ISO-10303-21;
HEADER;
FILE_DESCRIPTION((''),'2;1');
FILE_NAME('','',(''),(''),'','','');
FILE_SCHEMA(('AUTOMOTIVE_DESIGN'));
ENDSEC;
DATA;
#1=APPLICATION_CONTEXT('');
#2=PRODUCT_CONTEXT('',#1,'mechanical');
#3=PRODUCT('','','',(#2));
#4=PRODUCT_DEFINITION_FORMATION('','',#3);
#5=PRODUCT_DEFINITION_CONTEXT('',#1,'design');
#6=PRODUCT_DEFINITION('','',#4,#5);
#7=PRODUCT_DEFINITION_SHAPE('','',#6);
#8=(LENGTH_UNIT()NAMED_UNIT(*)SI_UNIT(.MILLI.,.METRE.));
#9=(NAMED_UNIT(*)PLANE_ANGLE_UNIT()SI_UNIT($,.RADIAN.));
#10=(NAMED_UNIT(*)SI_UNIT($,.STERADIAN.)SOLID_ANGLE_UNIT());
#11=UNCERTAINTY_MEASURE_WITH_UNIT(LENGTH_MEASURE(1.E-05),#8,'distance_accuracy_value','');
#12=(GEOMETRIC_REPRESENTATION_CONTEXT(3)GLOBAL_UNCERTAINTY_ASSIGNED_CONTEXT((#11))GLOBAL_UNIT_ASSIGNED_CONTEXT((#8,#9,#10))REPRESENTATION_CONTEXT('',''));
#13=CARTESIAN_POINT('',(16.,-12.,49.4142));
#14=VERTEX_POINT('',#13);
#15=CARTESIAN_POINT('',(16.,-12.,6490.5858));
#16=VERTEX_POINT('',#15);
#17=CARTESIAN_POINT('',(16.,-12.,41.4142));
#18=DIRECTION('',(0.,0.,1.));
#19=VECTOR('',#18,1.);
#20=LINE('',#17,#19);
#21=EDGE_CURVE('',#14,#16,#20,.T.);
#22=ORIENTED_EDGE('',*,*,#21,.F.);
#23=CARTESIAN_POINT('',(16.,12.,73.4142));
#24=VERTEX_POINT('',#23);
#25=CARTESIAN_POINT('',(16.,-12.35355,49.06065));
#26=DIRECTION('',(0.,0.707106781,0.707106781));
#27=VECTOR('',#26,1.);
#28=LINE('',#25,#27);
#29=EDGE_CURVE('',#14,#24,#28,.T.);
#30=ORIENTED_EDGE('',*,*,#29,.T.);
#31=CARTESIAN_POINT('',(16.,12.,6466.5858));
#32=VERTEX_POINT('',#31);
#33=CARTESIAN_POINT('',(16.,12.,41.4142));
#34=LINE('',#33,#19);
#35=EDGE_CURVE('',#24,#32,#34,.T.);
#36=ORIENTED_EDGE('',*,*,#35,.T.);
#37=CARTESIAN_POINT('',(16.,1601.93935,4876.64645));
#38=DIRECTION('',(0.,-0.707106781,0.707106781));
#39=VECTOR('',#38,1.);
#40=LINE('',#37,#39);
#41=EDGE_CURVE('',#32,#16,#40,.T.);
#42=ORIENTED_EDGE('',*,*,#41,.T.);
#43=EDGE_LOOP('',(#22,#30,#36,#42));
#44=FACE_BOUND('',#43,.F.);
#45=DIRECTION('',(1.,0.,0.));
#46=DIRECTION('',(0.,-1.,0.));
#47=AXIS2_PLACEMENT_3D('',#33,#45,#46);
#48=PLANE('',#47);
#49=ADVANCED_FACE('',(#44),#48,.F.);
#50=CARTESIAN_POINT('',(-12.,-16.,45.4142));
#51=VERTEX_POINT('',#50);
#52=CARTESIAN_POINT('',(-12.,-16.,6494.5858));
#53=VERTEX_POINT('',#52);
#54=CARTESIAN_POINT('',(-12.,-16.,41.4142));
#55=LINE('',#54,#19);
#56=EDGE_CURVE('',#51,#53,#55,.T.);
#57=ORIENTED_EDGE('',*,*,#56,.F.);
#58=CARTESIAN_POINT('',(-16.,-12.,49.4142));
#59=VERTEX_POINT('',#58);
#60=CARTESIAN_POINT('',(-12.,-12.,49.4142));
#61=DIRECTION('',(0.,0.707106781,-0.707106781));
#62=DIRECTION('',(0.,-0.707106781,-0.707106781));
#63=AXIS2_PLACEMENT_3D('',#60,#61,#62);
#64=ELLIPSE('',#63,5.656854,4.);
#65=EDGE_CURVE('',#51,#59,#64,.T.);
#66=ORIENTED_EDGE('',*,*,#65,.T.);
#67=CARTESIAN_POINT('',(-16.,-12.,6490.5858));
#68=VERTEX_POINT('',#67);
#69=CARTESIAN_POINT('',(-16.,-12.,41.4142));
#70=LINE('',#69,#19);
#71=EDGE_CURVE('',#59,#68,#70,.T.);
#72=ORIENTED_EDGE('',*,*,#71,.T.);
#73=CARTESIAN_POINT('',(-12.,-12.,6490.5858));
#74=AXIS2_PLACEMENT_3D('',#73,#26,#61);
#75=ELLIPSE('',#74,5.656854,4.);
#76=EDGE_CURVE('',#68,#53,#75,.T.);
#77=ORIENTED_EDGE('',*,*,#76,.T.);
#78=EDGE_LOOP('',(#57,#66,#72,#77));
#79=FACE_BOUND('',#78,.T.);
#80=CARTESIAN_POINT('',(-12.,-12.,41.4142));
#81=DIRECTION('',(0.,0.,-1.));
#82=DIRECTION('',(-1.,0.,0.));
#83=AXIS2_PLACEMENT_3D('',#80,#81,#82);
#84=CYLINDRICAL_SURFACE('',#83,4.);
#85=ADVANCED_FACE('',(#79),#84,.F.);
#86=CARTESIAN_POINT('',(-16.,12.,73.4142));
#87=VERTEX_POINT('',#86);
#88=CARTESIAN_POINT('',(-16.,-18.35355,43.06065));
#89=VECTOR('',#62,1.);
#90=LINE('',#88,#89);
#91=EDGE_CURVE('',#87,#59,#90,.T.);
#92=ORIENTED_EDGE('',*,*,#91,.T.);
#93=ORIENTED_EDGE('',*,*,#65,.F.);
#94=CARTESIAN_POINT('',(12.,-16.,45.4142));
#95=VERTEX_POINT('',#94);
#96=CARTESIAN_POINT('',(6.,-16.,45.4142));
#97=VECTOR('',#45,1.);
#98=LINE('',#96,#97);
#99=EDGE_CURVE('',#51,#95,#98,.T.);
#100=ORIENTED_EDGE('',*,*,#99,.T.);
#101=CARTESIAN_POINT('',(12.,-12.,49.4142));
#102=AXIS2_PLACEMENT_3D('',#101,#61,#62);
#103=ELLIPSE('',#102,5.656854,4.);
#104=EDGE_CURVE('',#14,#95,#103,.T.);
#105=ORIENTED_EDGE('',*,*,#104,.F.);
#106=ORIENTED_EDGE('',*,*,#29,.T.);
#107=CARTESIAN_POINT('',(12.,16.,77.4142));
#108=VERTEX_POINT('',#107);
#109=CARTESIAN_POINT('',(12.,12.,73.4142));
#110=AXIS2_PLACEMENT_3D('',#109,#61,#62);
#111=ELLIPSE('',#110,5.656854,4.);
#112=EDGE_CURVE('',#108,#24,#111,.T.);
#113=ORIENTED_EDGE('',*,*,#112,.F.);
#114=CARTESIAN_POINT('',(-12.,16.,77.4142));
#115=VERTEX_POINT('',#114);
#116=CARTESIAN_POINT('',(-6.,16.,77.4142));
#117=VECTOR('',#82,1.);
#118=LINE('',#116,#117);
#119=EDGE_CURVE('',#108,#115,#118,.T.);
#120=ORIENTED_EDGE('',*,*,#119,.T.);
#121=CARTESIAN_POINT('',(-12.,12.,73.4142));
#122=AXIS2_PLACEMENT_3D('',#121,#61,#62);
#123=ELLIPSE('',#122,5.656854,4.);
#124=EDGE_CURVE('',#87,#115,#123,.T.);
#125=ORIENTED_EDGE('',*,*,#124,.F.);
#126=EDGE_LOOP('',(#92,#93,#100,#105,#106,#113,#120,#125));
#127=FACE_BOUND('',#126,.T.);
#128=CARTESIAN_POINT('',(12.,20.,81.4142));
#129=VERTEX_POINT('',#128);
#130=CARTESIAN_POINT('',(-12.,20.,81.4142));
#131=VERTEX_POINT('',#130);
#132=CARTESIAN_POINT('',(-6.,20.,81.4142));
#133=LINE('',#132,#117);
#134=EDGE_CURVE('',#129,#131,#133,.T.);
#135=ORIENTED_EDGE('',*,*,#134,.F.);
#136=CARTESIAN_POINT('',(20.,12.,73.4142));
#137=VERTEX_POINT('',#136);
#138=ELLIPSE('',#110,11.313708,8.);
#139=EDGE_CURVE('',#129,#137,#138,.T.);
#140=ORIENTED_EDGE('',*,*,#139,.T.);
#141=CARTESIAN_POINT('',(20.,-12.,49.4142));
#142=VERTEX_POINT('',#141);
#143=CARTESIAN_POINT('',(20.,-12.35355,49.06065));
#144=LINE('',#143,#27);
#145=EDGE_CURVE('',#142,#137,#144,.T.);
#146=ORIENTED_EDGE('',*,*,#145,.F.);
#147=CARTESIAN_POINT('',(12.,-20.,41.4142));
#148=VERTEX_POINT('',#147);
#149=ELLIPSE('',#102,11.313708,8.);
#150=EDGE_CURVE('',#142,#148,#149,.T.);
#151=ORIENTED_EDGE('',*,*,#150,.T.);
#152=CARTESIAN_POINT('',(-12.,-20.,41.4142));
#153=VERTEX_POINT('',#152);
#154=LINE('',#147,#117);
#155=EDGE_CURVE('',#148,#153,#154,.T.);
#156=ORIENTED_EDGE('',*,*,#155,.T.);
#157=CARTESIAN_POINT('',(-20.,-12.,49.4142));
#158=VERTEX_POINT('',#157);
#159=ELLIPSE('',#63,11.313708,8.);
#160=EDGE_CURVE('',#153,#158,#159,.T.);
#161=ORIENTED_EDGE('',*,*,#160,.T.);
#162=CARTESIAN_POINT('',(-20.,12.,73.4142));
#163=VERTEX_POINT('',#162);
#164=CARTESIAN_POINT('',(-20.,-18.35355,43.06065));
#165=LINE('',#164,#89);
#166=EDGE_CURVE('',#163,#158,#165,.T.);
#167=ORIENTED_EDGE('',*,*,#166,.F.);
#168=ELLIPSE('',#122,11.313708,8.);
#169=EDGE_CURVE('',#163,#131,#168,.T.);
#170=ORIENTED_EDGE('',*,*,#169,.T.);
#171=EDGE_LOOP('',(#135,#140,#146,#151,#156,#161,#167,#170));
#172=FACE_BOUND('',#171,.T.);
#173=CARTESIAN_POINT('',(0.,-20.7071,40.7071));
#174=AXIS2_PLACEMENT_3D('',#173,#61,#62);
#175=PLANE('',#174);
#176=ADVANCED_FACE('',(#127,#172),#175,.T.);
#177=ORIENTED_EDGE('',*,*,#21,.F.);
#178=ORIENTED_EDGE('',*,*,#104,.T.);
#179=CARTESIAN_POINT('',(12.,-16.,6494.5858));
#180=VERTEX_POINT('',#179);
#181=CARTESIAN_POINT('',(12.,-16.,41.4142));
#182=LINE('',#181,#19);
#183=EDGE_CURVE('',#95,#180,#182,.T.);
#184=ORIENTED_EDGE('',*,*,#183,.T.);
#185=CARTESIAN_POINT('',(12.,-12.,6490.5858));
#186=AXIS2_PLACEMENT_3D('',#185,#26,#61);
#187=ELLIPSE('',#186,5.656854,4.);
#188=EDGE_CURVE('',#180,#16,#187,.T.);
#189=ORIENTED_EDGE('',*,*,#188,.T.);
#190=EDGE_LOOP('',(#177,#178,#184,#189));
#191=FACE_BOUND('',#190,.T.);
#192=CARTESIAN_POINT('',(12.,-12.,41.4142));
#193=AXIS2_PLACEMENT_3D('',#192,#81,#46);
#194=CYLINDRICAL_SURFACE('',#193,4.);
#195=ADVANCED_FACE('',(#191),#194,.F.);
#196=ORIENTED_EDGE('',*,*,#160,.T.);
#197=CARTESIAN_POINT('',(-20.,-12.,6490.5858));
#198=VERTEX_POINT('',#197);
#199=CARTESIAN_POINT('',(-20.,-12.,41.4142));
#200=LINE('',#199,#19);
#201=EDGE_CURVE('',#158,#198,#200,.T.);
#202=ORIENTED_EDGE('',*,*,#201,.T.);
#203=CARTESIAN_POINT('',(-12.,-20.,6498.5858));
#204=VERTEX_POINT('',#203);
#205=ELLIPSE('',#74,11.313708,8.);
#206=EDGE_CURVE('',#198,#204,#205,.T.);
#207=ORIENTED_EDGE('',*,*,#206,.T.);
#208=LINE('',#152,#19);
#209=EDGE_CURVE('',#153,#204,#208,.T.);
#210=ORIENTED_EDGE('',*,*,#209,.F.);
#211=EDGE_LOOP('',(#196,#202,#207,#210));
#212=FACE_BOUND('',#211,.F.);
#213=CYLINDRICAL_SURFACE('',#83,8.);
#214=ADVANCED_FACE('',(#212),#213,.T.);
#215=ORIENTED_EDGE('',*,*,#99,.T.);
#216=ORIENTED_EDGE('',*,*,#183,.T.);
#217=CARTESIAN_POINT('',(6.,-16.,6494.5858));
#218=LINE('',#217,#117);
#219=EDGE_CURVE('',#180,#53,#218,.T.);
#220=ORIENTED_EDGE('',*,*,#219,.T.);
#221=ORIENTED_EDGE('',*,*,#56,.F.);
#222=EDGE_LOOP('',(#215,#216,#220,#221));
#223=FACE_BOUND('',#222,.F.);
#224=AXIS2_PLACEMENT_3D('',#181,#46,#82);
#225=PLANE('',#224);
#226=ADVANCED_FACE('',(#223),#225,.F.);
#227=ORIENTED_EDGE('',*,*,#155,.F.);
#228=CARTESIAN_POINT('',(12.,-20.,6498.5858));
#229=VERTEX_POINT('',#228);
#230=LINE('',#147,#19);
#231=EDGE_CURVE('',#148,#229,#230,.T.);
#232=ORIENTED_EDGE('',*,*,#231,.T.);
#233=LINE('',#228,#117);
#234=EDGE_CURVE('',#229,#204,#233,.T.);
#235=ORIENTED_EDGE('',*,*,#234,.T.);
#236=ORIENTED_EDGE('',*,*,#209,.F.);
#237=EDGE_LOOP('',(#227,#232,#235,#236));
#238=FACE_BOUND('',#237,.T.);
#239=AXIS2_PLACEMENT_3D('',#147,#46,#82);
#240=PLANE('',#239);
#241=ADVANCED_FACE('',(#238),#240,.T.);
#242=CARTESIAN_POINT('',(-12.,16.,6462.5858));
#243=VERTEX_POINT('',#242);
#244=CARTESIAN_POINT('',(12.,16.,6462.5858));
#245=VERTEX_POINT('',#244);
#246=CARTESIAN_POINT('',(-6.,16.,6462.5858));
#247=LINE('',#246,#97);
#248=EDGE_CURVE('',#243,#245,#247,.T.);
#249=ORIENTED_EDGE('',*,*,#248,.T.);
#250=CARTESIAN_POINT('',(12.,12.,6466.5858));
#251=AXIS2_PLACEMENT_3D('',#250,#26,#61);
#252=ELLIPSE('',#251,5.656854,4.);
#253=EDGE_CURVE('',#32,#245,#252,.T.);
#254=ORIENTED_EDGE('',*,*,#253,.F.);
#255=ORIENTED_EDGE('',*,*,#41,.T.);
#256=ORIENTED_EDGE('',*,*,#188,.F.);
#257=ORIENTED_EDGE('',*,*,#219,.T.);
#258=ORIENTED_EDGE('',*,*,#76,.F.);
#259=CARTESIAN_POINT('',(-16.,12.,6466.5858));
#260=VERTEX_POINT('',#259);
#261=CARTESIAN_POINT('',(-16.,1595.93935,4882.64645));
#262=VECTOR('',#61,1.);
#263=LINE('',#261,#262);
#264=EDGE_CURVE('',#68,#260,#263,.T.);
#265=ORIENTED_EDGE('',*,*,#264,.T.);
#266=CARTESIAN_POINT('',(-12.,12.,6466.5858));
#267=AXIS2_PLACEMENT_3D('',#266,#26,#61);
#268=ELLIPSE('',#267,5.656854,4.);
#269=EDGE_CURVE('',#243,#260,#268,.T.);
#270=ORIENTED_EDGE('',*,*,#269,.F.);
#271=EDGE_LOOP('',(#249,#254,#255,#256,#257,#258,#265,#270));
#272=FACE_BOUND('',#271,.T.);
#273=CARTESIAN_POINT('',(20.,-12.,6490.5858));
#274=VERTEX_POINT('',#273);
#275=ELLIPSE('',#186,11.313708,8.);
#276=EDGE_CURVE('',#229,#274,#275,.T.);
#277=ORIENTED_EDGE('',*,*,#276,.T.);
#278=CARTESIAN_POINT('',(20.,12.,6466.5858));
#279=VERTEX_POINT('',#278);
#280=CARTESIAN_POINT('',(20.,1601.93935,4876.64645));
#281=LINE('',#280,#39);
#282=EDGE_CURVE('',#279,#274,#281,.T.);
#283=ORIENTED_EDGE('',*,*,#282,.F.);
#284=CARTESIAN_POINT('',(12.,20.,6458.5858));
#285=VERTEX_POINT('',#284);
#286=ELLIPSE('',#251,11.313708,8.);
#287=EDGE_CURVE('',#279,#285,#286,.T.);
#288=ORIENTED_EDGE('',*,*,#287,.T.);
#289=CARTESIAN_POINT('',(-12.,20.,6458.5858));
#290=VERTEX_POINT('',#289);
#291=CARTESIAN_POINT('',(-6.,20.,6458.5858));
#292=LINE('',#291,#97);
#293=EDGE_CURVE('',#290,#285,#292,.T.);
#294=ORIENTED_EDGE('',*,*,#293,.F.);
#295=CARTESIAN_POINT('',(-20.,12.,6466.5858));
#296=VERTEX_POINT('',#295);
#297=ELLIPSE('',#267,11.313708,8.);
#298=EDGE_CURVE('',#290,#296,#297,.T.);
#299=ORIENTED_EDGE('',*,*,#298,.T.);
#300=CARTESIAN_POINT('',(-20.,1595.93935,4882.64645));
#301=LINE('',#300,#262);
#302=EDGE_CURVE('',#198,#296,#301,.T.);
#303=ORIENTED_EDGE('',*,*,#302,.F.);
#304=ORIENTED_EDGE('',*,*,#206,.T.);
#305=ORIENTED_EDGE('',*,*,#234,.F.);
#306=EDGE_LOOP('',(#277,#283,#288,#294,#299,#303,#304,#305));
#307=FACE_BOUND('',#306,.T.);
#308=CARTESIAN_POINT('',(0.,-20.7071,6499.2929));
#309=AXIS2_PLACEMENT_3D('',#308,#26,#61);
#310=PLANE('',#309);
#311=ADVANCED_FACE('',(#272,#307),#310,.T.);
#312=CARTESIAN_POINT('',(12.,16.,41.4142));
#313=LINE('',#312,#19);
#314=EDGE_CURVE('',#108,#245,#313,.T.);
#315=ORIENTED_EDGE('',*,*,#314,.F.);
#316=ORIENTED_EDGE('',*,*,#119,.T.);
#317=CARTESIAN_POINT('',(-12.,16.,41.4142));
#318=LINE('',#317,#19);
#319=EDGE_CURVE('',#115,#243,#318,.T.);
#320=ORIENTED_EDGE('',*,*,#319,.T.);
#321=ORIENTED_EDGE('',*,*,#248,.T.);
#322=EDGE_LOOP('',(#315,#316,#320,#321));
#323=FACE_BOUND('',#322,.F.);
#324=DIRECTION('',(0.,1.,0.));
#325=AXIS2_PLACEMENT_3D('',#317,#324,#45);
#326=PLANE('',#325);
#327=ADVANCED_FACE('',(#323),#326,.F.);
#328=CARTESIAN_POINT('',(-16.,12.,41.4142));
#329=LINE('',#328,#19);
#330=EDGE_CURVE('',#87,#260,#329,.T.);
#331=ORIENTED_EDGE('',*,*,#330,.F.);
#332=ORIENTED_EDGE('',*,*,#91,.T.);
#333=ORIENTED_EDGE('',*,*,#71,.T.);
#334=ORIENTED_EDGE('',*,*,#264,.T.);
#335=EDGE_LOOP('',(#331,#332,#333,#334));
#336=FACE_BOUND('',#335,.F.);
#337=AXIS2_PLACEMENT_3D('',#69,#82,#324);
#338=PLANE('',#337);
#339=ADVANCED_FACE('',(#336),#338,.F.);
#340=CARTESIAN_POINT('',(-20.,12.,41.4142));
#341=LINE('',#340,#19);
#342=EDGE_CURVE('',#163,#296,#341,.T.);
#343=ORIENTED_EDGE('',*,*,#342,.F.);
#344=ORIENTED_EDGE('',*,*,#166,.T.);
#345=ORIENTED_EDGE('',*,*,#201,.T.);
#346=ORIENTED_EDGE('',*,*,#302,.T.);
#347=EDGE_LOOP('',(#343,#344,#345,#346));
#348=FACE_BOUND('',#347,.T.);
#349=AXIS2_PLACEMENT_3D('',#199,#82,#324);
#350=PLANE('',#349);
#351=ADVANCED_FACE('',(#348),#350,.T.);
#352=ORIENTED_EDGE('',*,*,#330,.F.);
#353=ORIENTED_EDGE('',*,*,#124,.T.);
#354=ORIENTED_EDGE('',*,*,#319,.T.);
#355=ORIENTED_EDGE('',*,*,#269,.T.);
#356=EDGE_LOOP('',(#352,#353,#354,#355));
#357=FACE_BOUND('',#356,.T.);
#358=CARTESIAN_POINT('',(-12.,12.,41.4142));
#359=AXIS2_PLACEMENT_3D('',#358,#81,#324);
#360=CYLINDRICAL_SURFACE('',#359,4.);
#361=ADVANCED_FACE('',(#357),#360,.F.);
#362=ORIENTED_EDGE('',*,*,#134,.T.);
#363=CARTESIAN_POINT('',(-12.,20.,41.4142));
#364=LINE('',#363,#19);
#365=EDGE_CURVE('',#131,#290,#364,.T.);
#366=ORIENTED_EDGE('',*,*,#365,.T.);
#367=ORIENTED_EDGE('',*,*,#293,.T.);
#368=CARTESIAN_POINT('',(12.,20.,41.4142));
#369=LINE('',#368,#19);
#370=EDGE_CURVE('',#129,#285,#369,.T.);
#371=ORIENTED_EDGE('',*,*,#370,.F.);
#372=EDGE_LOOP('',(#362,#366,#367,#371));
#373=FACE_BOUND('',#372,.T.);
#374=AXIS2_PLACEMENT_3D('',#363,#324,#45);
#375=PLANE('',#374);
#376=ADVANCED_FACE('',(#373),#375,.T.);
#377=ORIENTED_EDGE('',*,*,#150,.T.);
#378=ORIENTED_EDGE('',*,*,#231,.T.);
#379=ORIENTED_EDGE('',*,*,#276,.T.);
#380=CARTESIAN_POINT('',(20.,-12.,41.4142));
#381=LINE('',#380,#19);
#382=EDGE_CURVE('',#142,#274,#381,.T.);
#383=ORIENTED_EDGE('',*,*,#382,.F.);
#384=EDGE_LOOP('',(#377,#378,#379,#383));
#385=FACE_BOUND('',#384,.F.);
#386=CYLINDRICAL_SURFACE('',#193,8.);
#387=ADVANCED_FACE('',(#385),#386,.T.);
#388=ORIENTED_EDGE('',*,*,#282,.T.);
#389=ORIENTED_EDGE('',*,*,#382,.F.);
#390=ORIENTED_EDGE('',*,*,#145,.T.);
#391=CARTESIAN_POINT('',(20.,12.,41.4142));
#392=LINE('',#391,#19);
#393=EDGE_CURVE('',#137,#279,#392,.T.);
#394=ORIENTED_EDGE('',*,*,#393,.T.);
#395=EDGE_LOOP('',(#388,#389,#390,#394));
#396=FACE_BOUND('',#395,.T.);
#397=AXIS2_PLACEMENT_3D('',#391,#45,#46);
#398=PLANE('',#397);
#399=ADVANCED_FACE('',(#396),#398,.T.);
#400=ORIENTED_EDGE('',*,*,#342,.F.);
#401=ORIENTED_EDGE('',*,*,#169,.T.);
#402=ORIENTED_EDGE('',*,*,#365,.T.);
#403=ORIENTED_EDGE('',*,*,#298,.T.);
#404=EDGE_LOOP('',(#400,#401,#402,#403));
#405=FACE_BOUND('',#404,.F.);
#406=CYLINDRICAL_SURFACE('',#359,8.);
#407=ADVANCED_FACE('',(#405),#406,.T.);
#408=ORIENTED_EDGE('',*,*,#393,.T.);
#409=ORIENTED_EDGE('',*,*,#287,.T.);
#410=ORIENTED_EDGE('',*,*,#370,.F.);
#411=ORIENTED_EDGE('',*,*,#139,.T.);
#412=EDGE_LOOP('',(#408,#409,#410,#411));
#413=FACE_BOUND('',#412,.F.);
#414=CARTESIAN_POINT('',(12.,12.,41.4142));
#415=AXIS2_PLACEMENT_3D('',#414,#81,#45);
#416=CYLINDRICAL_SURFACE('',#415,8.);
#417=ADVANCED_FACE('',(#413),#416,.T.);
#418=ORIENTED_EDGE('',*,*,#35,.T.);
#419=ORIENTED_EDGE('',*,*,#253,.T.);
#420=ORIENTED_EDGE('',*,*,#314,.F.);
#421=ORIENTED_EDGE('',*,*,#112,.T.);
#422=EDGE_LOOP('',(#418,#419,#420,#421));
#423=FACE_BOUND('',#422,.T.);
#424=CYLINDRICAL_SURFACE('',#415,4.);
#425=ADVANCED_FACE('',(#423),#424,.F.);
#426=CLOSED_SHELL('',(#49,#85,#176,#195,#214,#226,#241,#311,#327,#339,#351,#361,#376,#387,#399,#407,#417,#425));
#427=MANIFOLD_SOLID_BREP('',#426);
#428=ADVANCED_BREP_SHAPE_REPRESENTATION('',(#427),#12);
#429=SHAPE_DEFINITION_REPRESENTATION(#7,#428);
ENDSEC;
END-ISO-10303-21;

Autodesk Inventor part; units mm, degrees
ref_plane "Start Plane" through (0, 0, 41.4142) normal (0, 0, 1) x (1, 0, 0)
ref_plane "End Plane" through (0, 0, 6498.5858) normal (0, 0, 1) x (1, 0, 0)
sketch "Sketch" plane through (0, 0, 0) normal (0, 0, 1) x (1, 0, 0)
  line L0 (-20, -12) -> (-20, 12)
  line L1 (-12, 20) -> (12, 20)
  line L2 (20, 12) -> (20, -12)
  line L3 (12, -20) -> (-12, -20)
  arc A0 (-20, -12) -> (-12, -20) centre (-12, -12) ccw
  arc A1 (20, 12) -> (12, 20) centre (12, 12) ccw
  arc A2 (-12, 20) -> (-20, 12) centre (-12, 12) ccw
  arc A3 (12, -20) -> (20, -12) centre (12, -12) ccw
  arc A4 (-12, 16) -> (-16, 12) centre (-12, 12) ccw
  line L4 (-12, 16) -> (12, 16)
  arc A5 (16, 12) -> (12, 16) centre (12, 12) ccw
  line L5 (16, 12) -> (16, -12)
  arc A6 (12, -16) -> (16, -12) centre (12, -12) ccw
  line L6 (12, -16) -> (-12, -16)
  arc A7 (-16, -12) -> (-12, -16) centre (-12, -12) ccw
  line L7 (-16, -12) -> (-16, 12)
  line L8 (0, 30.3196) -> (0, -30.3196) construction
  line L9 (-30.3196, 0) -> (30.3196, 0) construction
  dimension "d7" = 8
  dimension "d9" = 40
  dimension "d11" = 40
  dimension "d12" = 4
  dimension "d15" = 20
  dimension "d16" = 20
extrude "Body" add sketch "Sketch" along normal up to surface (6457.1716 mm away) from surface at 41.4142
sketch "Sketch3" plane through (0, 0, 0) normal (0, 0, 1) x (1, 0, 0)
  line L0 (0, 0) -> (10, 0)
ref_plane "Work Plane3" through (0, 0, 0) normal (0, -1, 0) x (1, 0, 0)
ref_plane "Work Plane4" through (0, -20.7071, 6499.2929) normal (0, 0.7071, 0.7071) x (1, 0, 0)
split "Split1" plane through (0, -20.7071, 6499.2929) removes the side toward (0, 0.7071, 0.7071)
ref_plane "Work Plane5" through (0, -20.7071, 40.7071) normal (0, 0.7071, -0.7071) x (1, 0, 0)
split "Split2" plane through (0, -20.7071, 40.7071) removes the side toward (0, 0.7071, -0.7071)
sketch "Sketch4" plane through (0, 0, 0) normal (0, -1, 0) x (1, 0, 0)
  line L0 (-2, 41.4142) -> (12, 41.4142) projected
  line L1 (-2, 6498.5858) -> (12, 6498.5858) projected
  dimension "d18" = 6457.1716
equation "\"d7\" = G_IR"
equation "\"d9\" = G_W"
equation "\"d11\" = G_H"
equation "\"d12\" = G_T"
equation "\"d15\" = 0.5 * d9"
equation "\"d16\" = 0.5 * d11"
equation "\"d3\" = G_L"
equation "\"G_W\" = 40"
equation "\"G_H\" = 40"
equation "\"G_T\" = 4"
equation "\"G_IR\" = 8"
equation "\"G_L\" = d18"
equation "\"G_OFFSET_START\" = -41.41421"
equation "\"G_OFFSET_END\" = 18.58579"
equation "\"d13\" = -G_OFFSET_START"
equation "\"d14\" = G_OFFSET_END + B_L"
equation "\"B_L\" = 6480"
properties part number "ISO 10799-2 - 40x40x4 - 6457,17" material "Steel, Mild"
